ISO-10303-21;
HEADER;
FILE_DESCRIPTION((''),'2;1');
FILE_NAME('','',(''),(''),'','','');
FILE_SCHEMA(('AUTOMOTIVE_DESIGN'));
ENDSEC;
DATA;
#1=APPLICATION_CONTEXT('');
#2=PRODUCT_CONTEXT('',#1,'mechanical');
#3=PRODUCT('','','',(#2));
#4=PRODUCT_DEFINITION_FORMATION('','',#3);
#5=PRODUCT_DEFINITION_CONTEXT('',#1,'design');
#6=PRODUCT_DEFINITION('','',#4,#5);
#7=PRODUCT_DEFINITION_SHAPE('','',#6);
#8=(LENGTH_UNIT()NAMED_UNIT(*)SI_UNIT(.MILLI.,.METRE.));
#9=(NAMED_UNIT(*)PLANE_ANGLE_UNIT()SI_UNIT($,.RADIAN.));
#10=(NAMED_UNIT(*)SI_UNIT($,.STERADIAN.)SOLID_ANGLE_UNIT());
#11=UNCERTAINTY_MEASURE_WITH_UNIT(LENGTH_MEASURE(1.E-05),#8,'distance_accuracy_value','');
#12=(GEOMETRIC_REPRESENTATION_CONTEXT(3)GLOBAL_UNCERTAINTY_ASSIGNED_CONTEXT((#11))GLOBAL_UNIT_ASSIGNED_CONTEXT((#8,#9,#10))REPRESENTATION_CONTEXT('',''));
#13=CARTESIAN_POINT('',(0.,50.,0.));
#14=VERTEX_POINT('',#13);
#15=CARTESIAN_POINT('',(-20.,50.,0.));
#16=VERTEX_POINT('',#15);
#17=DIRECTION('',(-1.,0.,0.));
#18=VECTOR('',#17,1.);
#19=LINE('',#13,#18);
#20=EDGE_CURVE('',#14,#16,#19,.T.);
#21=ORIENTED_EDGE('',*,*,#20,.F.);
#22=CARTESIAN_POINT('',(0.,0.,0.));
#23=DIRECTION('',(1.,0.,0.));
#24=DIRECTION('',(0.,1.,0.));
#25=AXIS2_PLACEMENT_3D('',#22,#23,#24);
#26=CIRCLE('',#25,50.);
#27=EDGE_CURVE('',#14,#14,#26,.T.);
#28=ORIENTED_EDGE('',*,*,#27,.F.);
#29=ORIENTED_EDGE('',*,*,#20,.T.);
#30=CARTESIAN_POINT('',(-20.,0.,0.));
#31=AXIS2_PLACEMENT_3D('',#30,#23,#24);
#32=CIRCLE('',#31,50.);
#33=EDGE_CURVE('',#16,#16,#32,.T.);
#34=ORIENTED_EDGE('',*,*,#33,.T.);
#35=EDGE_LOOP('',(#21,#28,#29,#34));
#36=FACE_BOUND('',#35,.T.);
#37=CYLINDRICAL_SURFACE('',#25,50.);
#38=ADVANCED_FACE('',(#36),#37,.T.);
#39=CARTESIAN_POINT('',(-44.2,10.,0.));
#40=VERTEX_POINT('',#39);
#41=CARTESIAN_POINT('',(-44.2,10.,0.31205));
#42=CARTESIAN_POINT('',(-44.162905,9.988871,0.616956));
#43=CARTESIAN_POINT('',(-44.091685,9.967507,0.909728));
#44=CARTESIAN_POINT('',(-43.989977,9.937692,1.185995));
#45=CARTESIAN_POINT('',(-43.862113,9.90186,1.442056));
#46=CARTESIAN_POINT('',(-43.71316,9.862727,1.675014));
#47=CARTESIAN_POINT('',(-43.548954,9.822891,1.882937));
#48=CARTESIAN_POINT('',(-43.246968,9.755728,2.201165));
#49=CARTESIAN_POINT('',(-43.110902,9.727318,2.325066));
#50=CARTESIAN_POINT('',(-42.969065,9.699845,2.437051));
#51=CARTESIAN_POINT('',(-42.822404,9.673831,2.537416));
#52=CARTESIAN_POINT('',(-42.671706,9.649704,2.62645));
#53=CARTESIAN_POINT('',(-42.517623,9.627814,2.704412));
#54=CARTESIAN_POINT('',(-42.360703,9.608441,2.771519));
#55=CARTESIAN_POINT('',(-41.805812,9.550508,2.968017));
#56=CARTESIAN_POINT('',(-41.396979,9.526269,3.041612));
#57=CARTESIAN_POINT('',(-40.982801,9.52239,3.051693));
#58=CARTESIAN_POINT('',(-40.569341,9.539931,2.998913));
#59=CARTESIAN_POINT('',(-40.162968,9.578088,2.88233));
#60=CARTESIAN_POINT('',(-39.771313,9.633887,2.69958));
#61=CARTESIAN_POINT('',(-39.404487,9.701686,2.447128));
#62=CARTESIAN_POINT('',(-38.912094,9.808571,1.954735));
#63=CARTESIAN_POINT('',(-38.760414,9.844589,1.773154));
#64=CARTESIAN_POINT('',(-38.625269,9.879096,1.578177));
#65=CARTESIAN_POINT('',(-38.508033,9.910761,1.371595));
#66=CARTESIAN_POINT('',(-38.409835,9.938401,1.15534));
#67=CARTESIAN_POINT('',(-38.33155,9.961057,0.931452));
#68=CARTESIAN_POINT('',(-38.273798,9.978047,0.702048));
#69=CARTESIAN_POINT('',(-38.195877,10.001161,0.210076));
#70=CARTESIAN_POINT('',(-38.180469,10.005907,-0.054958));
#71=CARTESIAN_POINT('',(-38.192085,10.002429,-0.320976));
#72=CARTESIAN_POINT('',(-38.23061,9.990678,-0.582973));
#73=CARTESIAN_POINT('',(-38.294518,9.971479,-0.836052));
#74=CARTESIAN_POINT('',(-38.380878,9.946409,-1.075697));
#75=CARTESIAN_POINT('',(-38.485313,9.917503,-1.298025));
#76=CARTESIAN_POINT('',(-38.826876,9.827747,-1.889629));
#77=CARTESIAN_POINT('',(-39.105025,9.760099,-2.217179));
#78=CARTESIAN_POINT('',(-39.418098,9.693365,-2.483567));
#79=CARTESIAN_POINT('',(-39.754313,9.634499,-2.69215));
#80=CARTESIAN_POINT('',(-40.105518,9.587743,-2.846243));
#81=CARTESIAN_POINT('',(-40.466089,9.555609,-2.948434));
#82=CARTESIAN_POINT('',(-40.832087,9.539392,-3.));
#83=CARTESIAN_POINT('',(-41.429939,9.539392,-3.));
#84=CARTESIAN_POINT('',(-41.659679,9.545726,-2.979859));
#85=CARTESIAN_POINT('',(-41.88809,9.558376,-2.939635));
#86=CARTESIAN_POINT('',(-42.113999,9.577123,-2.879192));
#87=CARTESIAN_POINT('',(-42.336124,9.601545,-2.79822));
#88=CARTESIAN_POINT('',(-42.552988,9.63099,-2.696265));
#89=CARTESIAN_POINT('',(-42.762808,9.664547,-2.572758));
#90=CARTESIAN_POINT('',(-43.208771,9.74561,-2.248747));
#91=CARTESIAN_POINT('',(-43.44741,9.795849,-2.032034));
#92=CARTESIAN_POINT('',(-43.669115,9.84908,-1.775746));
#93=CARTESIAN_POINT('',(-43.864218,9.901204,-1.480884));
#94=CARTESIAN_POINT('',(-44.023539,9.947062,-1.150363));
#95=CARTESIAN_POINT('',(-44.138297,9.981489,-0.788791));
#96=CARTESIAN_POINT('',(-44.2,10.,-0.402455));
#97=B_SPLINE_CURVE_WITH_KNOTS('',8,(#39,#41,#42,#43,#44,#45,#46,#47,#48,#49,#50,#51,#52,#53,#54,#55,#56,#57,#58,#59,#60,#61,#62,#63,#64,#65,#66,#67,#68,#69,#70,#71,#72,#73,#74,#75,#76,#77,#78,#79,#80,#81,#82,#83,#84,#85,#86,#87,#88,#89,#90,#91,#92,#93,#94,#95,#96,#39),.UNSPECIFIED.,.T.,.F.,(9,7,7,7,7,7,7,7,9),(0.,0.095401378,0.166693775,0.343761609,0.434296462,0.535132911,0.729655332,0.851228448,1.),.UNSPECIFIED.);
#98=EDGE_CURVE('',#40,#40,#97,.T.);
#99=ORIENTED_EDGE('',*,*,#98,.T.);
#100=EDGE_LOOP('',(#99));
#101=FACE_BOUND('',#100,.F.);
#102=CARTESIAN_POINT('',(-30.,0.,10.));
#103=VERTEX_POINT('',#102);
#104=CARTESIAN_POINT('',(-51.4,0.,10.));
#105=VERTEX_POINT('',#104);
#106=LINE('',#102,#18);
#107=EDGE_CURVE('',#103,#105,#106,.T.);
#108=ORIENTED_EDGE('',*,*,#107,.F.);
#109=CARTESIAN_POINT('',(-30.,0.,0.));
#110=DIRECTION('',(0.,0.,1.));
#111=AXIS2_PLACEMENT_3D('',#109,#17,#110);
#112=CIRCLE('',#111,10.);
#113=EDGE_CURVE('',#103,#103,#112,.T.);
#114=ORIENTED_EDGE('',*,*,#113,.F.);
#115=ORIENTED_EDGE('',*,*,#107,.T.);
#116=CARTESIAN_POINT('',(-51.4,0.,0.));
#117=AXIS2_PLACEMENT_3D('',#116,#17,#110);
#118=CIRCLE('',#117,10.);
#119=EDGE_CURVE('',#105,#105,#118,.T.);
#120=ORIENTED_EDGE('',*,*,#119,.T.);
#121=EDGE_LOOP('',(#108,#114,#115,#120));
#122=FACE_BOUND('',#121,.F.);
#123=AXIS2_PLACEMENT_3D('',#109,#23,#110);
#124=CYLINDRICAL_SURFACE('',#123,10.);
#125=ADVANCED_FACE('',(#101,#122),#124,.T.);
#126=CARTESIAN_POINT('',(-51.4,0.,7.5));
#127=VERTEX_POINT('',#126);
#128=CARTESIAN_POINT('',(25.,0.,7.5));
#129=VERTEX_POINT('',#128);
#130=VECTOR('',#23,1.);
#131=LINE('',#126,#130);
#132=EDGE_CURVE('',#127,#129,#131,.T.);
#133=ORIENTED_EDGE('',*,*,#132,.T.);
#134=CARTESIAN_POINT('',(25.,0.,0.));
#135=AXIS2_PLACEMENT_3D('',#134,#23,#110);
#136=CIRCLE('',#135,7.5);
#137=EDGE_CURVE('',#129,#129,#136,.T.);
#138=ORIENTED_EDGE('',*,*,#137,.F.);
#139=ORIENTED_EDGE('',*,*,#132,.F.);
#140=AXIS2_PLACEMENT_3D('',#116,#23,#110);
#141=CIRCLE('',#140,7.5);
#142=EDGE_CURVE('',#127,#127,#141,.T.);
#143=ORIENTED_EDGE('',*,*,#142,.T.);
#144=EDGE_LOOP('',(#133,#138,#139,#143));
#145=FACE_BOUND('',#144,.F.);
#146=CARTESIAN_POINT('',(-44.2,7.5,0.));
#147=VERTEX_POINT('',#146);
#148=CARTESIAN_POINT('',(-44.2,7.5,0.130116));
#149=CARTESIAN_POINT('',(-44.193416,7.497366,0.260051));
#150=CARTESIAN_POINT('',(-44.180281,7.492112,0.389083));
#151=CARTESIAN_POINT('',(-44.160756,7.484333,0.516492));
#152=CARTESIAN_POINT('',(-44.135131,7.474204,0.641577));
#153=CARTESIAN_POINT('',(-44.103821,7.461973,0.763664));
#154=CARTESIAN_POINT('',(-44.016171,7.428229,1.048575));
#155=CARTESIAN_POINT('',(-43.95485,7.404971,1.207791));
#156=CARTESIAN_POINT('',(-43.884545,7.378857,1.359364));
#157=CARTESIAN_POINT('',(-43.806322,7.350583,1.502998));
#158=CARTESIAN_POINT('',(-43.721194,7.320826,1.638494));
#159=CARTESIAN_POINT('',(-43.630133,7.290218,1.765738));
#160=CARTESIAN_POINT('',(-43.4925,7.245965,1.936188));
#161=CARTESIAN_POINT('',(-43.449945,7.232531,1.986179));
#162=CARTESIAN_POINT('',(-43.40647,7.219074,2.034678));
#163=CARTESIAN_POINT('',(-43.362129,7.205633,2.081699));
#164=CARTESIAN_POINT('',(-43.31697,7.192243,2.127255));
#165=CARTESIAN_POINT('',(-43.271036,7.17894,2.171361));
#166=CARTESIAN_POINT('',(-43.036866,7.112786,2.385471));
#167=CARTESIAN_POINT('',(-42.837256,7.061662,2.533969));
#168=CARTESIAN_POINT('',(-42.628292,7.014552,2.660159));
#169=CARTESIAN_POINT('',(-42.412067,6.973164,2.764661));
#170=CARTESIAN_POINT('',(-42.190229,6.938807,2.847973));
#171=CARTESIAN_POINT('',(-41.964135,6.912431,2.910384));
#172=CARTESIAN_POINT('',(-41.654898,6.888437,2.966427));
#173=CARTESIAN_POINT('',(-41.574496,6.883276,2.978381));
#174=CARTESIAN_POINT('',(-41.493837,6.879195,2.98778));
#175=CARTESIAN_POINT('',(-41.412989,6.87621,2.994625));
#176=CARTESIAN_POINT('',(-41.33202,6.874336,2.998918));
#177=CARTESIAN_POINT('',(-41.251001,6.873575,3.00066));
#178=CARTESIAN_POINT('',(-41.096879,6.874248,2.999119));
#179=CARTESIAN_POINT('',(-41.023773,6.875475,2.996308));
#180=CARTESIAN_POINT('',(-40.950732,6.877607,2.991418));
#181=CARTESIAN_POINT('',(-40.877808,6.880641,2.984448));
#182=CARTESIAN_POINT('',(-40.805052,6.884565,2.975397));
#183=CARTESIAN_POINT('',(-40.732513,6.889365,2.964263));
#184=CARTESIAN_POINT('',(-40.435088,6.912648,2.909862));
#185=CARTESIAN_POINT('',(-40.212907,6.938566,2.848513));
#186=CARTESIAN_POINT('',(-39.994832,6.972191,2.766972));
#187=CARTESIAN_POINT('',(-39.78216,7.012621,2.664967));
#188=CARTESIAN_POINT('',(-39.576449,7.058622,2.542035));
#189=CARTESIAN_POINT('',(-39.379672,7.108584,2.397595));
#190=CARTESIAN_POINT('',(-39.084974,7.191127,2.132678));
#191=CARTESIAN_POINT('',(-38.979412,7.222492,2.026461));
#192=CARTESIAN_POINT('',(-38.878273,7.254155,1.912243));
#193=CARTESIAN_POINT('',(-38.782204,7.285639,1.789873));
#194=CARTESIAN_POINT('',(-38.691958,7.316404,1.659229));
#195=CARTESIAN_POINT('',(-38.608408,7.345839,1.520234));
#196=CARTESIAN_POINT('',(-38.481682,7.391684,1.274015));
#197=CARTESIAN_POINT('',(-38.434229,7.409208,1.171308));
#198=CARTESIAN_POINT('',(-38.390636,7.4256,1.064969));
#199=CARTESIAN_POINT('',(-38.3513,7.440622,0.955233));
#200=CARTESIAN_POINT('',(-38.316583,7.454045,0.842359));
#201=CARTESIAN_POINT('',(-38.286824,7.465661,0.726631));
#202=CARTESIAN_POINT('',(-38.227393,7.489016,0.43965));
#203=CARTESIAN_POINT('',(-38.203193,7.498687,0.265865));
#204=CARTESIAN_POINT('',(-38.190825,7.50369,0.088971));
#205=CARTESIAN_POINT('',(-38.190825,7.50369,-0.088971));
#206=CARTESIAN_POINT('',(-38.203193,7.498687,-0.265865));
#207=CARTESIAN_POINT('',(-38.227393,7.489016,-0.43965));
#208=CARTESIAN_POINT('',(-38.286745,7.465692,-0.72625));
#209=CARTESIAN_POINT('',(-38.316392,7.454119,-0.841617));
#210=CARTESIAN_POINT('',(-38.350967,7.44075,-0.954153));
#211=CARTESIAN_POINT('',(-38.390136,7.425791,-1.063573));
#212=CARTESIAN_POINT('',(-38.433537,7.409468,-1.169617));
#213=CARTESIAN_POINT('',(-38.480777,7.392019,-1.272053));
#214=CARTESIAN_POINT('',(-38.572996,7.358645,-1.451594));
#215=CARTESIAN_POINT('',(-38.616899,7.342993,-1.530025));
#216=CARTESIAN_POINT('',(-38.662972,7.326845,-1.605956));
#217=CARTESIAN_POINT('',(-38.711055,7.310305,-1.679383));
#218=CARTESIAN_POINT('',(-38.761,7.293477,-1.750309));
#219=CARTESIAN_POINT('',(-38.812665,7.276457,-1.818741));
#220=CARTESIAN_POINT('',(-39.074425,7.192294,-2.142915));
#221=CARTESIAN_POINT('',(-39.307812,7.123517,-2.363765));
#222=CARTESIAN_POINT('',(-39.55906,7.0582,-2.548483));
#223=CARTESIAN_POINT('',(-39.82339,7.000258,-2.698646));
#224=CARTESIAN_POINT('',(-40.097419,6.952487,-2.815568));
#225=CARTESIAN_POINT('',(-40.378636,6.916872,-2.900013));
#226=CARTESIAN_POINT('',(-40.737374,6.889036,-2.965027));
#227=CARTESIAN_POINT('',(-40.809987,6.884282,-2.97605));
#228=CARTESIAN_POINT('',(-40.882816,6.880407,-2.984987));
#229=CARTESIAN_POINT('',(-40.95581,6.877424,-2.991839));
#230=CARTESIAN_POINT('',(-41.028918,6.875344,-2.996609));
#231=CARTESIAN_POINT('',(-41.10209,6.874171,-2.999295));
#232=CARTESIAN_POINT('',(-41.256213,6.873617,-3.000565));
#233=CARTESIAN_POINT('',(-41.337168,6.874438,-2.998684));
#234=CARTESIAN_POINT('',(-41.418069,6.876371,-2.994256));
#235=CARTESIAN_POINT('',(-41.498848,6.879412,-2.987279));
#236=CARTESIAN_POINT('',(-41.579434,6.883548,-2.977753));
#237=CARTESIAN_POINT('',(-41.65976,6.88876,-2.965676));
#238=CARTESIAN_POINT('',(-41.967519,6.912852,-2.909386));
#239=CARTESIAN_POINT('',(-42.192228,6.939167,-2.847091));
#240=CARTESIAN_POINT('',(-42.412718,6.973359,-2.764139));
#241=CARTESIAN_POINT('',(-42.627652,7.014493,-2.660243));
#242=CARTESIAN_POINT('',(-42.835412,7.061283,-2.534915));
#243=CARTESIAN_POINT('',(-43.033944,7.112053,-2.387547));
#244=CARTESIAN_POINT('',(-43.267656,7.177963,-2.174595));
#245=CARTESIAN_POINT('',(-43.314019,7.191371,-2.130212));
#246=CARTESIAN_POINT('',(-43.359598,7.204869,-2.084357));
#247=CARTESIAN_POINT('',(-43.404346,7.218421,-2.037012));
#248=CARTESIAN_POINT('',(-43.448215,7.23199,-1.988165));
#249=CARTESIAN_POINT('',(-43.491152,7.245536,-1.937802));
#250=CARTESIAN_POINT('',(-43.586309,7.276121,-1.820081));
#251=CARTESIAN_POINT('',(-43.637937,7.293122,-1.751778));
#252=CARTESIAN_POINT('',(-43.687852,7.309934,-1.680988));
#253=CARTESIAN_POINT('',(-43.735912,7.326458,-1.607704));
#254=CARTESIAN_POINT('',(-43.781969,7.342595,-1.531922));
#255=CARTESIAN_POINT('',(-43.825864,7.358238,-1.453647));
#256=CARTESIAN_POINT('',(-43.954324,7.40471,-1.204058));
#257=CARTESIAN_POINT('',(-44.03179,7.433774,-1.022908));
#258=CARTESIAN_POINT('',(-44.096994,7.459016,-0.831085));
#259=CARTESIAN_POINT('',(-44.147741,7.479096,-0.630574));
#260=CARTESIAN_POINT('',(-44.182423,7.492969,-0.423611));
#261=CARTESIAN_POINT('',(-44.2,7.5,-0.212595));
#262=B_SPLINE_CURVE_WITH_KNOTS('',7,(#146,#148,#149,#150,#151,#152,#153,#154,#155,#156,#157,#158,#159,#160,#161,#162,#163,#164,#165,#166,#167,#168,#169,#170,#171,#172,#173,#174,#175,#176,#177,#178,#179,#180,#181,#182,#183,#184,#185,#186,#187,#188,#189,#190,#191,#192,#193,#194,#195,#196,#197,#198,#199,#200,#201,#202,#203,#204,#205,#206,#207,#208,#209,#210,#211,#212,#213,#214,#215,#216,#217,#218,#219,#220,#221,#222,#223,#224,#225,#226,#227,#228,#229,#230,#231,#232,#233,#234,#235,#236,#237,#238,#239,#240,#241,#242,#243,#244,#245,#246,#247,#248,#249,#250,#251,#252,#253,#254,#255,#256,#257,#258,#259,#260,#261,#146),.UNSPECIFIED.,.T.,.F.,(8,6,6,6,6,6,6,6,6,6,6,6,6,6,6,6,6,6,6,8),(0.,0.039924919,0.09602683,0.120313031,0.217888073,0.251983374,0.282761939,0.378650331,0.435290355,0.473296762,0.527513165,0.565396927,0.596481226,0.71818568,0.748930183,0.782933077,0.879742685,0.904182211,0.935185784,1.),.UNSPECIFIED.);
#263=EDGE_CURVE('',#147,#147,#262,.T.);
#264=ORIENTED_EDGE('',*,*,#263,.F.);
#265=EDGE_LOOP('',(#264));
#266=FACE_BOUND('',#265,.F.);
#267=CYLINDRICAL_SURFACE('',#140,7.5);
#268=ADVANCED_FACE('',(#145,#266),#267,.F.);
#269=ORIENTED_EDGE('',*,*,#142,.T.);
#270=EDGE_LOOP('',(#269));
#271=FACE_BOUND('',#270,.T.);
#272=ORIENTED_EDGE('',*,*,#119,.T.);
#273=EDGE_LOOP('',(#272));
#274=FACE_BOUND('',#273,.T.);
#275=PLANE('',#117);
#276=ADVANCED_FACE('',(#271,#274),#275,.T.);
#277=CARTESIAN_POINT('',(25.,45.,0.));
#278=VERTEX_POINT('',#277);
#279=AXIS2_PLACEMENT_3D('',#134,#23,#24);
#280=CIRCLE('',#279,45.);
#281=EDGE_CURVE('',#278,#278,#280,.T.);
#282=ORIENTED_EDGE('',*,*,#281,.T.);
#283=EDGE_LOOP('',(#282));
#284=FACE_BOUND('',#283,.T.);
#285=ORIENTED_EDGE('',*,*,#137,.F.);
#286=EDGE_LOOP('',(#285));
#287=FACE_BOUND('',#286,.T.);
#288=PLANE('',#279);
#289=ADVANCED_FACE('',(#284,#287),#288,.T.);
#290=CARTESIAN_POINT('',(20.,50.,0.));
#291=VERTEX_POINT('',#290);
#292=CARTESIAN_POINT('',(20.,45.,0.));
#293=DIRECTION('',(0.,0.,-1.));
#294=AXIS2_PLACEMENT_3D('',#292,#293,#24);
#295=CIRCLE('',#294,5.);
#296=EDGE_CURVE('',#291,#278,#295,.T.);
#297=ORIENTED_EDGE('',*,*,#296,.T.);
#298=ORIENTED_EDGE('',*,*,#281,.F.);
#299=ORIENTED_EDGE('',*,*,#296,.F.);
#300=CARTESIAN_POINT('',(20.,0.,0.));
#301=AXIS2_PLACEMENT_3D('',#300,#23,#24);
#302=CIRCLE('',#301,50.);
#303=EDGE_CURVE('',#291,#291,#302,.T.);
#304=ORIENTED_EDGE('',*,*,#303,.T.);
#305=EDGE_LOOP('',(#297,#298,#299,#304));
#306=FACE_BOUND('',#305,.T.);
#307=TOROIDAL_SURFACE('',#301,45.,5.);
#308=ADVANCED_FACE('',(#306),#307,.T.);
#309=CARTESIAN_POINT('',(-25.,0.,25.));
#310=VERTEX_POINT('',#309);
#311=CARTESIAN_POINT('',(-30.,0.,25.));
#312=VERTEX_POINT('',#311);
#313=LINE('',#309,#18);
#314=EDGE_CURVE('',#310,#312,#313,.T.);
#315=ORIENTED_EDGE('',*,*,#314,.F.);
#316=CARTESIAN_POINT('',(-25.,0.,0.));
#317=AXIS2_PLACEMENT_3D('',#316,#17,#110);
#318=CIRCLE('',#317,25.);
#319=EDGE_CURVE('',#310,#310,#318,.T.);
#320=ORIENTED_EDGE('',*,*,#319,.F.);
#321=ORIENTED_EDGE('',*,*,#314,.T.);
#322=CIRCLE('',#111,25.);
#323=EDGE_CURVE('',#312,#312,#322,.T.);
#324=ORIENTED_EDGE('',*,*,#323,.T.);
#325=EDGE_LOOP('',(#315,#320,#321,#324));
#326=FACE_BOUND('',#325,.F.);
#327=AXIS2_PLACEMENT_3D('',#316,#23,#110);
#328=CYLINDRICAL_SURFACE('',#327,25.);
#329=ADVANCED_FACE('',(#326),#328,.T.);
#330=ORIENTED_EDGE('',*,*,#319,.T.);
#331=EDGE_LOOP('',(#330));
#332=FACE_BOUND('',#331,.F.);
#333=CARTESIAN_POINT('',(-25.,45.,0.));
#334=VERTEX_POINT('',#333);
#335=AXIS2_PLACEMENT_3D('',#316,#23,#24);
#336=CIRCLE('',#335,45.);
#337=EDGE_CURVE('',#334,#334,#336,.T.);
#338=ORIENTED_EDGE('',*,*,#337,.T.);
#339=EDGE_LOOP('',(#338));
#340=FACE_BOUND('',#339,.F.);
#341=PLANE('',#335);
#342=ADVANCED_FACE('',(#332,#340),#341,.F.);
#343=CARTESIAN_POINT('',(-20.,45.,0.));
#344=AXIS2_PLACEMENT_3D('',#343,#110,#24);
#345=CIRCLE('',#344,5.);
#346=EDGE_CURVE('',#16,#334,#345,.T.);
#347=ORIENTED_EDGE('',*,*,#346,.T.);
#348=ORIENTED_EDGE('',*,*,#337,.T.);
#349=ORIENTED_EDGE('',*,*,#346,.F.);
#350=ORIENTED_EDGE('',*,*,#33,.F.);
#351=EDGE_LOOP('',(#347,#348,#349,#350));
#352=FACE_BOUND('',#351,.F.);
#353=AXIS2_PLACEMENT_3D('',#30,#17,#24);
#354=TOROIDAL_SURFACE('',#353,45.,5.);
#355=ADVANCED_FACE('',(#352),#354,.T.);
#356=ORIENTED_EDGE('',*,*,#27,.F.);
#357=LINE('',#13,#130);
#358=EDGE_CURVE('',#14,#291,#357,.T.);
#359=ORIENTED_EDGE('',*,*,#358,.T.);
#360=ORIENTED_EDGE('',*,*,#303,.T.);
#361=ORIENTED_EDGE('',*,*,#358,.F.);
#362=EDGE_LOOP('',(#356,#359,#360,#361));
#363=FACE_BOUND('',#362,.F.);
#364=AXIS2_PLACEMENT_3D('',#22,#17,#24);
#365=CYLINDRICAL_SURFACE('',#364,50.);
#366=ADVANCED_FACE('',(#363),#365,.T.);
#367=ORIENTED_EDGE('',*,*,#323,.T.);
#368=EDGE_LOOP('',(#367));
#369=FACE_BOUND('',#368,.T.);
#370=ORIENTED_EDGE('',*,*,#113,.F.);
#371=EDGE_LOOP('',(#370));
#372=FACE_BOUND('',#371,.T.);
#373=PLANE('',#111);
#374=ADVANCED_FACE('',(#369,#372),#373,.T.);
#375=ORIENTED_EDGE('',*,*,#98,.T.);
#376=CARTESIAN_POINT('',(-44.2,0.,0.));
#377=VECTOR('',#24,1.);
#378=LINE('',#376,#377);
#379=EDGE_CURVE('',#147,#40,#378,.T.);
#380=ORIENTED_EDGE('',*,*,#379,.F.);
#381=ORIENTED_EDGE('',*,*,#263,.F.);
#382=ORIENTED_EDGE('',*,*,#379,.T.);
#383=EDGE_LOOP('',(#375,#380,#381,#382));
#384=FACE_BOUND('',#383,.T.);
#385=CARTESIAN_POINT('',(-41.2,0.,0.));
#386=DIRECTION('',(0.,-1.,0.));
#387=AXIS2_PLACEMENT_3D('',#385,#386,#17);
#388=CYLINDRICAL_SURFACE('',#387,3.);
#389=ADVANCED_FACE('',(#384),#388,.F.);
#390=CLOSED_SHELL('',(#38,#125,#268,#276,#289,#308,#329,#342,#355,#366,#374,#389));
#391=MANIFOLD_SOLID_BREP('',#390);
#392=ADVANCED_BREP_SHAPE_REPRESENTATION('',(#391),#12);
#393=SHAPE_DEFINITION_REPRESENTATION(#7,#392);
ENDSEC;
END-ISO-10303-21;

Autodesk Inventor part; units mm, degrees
ref_plane "YZ Plane" through (0, 0, 0) normal (1, 0, 0) x (0, 1, 0)
ref_plane "XZ Plane" through (0, 0, 0) normal (0, 1, 0) x (-1, 0, 0)
ref_plane "XY Plane" through (0, 0, 0) normal (0, 0, 1) x (1, 0, 0)
sketch "Sketch1" plane through (0, 0, 0) normal (1, 0, 0) x (0, 1, 0)
  circle A0 centre (0, 0) radius 50
  dimension "d0" = 100
extrude "Extrusion1" add sketch "Sketch1" along normal mid plane 50
fillet "Fillet1" radius 5 2 edges at (-25, -50, 0) (25, -50, 0)
sketch "Sketch3" plane through (-25, 0, 0) normal (-1, 0, 0) x (0, 0, 1)
  circle A0 centre (0, 0) radius 25
  dimension "d11" = 50
extrude "Extrusion2" add sketch "Sketch3" along normal blind 5
sketch "Sketch4" plane through (-30, 0, 0) normal (-1, 0, 0) x (0, 0, 1)
  circle A0 centre (0, 0) radius 10
  dimension "d14" = 20
extrude "Extrusion3" add sketch "Sketch4" along normal blind 21.4
sketch "Sketch5" plane through (-51.4, 0, 0) normal (-1, 0, 0) x (0, 0, 1)
  circle A0 centre (0, 0) radius 50 projected
hole "Hole2" at (-51.4, 0, 0) direction (1, 0, 0) diameter 15 end through all
sketch "Sketch6" plane through (0, 0, 0) normal (0, 1, 0) x (-1, 0, 0)
  circle A0 centre (41.2, 0) radius 3
  line L0 (51.4, -10) -> (51.4, 10) projected
  line L1 (41.2, 0) -> (51.4, 0) construction
  point P0 (0, 0)
  dimension "d24" = 6
  dimension "d25" = 10.2
extrude "Extrusion4" cut sketch "Sketch6" along normal blind 21.4
thread "Thread1" size "M6x1" class "6H" standard "ANSI Metric M Profile" full length
properties part number "100mm Mecanum StandIn" material "Rubber"
